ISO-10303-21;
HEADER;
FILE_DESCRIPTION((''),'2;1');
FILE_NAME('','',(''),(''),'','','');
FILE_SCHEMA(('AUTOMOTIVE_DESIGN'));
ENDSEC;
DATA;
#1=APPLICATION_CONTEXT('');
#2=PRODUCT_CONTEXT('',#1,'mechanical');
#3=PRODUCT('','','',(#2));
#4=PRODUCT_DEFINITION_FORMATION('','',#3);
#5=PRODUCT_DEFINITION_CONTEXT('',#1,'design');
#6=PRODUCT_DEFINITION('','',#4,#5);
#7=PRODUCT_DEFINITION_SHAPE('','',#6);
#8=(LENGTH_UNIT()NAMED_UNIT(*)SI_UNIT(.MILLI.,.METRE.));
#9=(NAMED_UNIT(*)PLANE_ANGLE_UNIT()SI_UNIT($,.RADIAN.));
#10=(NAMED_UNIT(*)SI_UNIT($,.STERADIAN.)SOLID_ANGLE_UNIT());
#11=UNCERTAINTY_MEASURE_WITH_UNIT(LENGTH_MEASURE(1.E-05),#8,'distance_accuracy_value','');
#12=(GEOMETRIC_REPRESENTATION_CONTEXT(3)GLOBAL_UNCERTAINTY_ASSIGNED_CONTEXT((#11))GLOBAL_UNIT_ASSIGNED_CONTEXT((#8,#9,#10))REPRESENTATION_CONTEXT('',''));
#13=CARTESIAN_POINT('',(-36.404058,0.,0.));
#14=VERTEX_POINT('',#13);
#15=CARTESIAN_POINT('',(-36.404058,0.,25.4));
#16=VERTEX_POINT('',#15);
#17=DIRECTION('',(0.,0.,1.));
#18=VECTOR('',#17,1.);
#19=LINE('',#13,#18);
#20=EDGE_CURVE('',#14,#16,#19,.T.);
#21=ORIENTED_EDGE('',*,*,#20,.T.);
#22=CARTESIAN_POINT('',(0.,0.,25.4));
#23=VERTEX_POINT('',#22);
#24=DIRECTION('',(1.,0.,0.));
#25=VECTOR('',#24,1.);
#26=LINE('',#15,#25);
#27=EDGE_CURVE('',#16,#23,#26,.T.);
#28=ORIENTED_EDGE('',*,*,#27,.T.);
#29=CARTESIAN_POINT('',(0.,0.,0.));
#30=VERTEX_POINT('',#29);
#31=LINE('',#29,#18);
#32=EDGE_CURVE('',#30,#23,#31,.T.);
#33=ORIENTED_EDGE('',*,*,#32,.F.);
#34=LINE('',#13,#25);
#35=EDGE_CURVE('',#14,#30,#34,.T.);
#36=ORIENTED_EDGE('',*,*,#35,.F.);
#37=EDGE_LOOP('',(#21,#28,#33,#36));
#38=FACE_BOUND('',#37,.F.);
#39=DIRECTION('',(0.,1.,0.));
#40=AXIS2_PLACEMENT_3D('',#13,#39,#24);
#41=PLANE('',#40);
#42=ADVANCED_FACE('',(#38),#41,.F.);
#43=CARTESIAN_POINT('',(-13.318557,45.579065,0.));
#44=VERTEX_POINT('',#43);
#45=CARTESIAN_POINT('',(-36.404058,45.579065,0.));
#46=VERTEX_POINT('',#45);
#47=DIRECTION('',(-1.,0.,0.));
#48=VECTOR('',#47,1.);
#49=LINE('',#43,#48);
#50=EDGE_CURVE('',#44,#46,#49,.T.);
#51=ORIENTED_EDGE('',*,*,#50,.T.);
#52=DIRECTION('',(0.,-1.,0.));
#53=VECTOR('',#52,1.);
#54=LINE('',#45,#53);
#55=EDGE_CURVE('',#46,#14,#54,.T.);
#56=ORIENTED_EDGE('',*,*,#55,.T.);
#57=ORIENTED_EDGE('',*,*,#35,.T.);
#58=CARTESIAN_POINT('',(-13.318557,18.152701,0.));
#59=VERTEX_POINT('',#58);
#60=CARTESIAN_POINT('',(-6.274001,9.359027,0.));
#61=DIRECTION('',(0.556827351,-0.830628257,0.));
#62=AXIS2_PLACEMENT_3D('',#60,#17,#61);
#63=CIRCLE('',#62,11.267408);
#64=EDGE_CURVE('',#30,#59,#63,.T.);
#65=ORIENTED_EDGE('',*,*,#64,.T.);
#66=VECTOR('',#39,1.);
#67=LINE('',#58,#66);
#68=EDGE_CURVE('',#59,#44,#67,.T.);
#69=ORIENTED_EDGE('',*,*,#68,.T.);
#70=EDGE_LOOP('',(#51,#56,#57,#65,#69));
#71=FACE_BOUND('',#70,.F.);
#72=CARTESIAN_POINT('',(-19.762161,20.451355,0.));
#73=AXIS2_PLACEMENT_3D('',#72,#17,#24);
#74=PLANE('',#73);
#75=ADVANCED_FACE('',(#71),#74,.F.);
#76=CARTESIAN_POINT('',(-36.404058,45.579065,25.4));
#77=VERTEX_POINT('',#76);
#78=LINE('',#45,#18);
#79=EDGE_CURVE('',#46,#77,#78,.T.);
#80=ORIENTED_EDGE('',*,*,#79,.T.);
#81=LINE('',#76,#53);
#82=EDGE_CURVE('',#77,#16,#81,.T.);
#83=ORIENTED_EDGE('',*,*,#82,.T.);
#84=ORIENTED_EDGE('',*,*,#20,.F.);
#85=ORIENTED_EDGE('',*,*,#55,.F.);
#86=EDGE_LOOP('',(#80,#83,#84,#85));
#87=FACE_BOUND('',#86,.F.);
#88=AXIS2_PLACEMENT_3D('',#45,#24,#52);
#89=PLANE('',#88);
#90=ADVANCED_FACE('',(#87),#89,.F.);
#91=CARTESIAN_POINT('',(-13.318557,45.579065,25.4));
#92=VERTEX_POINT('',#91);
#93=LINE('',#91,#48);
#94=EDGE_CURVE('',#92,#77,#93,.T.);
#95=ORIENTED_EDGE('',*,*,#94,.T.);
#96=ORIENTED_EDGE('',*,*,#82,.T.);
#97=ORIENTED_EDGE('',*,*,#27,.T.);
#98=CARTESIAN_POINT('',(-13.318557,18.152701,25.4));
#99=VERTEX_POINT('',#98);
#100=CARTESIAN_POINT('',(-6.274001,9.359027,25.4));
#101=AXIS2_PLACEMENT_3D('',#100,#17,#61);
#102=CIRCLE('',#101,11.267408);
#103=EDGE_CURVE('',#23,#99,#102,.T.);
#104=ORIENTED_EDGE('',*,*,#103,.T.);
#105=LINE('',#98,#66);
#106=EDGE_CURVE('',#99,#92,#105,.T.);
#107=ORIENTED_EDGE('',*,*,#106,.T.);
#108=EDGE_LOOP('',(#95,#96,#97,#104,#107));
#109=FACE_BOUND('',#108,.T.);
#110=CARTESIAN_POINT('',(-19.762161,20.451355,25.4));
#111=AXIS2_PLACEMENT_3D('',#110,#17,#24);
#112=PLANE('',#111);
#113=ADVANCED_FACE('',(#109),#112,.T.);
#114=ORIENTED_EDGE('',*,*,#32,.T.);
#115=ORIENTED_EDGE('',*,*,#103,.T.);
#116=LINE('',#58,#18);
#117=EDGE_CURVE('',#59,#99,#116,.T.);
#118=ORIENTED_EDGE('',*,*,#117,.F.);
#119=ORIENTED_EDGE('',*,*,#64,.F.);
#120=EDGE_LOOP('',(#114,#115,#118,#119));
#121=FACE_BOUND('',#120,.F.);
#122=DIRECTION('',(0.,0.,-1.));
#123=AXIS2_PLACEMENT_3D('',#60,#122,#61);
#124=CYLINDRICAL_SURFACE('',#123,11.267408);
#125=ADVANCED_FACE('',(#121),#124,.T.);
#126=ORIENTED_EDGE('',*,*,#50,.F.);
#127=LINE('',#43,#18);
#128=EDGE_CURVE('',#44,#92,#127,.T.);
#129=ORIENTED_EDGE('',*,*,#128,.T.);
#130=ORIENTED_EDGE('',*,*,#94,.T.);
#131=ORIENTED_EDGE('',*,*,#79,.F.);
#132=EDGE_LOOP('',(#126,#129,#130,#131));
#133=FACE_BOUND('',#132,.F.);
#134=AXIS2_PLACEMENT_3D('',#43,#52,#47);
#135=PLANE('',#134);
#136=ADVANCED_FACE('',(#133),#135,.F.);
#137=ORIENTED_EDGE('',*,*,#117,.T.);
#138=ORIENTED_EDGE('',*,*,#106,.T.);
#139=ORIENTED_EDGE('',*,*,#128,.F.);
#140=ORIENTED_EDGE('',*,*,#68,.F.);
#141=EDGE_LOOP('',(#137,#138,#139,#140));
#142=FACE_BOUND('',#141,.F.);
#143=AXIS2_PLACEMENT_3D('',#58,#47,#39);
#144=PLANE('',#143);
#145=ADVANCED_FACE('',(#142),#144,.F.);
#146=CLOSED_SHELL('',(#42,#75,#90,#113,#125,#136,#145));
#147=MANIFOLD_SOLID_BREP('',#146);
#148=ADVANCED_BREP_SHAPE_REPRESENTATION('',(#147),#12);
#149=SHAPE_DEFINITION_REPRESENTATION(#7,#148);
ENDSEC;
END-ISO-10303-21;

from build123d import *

# Parameters (mm, degrees)
F1_DEPTH = 25.4


with BuildPart() as f1:
    # F0 (on Top) → F1 (new body)
    with BuildSketch(Plane.XY):
        with BuildLine():
            Line((-36.404058, 0), (0, 0))
            ThreePointArc((0, 0), (2.810523, 16.024303), (-13.318557, 18.152701))
            Line((-13.318557, 18.152701), (-13.318557, 45.579065))
            Line((-13.318557, 45.579065), (-36.404058, 45.579065))
            Line((-36.404058, 45.579065), (-36.404058, 0))
        make_face()
    extrude(amount=F1_DEPTH)


solid = f1.part
